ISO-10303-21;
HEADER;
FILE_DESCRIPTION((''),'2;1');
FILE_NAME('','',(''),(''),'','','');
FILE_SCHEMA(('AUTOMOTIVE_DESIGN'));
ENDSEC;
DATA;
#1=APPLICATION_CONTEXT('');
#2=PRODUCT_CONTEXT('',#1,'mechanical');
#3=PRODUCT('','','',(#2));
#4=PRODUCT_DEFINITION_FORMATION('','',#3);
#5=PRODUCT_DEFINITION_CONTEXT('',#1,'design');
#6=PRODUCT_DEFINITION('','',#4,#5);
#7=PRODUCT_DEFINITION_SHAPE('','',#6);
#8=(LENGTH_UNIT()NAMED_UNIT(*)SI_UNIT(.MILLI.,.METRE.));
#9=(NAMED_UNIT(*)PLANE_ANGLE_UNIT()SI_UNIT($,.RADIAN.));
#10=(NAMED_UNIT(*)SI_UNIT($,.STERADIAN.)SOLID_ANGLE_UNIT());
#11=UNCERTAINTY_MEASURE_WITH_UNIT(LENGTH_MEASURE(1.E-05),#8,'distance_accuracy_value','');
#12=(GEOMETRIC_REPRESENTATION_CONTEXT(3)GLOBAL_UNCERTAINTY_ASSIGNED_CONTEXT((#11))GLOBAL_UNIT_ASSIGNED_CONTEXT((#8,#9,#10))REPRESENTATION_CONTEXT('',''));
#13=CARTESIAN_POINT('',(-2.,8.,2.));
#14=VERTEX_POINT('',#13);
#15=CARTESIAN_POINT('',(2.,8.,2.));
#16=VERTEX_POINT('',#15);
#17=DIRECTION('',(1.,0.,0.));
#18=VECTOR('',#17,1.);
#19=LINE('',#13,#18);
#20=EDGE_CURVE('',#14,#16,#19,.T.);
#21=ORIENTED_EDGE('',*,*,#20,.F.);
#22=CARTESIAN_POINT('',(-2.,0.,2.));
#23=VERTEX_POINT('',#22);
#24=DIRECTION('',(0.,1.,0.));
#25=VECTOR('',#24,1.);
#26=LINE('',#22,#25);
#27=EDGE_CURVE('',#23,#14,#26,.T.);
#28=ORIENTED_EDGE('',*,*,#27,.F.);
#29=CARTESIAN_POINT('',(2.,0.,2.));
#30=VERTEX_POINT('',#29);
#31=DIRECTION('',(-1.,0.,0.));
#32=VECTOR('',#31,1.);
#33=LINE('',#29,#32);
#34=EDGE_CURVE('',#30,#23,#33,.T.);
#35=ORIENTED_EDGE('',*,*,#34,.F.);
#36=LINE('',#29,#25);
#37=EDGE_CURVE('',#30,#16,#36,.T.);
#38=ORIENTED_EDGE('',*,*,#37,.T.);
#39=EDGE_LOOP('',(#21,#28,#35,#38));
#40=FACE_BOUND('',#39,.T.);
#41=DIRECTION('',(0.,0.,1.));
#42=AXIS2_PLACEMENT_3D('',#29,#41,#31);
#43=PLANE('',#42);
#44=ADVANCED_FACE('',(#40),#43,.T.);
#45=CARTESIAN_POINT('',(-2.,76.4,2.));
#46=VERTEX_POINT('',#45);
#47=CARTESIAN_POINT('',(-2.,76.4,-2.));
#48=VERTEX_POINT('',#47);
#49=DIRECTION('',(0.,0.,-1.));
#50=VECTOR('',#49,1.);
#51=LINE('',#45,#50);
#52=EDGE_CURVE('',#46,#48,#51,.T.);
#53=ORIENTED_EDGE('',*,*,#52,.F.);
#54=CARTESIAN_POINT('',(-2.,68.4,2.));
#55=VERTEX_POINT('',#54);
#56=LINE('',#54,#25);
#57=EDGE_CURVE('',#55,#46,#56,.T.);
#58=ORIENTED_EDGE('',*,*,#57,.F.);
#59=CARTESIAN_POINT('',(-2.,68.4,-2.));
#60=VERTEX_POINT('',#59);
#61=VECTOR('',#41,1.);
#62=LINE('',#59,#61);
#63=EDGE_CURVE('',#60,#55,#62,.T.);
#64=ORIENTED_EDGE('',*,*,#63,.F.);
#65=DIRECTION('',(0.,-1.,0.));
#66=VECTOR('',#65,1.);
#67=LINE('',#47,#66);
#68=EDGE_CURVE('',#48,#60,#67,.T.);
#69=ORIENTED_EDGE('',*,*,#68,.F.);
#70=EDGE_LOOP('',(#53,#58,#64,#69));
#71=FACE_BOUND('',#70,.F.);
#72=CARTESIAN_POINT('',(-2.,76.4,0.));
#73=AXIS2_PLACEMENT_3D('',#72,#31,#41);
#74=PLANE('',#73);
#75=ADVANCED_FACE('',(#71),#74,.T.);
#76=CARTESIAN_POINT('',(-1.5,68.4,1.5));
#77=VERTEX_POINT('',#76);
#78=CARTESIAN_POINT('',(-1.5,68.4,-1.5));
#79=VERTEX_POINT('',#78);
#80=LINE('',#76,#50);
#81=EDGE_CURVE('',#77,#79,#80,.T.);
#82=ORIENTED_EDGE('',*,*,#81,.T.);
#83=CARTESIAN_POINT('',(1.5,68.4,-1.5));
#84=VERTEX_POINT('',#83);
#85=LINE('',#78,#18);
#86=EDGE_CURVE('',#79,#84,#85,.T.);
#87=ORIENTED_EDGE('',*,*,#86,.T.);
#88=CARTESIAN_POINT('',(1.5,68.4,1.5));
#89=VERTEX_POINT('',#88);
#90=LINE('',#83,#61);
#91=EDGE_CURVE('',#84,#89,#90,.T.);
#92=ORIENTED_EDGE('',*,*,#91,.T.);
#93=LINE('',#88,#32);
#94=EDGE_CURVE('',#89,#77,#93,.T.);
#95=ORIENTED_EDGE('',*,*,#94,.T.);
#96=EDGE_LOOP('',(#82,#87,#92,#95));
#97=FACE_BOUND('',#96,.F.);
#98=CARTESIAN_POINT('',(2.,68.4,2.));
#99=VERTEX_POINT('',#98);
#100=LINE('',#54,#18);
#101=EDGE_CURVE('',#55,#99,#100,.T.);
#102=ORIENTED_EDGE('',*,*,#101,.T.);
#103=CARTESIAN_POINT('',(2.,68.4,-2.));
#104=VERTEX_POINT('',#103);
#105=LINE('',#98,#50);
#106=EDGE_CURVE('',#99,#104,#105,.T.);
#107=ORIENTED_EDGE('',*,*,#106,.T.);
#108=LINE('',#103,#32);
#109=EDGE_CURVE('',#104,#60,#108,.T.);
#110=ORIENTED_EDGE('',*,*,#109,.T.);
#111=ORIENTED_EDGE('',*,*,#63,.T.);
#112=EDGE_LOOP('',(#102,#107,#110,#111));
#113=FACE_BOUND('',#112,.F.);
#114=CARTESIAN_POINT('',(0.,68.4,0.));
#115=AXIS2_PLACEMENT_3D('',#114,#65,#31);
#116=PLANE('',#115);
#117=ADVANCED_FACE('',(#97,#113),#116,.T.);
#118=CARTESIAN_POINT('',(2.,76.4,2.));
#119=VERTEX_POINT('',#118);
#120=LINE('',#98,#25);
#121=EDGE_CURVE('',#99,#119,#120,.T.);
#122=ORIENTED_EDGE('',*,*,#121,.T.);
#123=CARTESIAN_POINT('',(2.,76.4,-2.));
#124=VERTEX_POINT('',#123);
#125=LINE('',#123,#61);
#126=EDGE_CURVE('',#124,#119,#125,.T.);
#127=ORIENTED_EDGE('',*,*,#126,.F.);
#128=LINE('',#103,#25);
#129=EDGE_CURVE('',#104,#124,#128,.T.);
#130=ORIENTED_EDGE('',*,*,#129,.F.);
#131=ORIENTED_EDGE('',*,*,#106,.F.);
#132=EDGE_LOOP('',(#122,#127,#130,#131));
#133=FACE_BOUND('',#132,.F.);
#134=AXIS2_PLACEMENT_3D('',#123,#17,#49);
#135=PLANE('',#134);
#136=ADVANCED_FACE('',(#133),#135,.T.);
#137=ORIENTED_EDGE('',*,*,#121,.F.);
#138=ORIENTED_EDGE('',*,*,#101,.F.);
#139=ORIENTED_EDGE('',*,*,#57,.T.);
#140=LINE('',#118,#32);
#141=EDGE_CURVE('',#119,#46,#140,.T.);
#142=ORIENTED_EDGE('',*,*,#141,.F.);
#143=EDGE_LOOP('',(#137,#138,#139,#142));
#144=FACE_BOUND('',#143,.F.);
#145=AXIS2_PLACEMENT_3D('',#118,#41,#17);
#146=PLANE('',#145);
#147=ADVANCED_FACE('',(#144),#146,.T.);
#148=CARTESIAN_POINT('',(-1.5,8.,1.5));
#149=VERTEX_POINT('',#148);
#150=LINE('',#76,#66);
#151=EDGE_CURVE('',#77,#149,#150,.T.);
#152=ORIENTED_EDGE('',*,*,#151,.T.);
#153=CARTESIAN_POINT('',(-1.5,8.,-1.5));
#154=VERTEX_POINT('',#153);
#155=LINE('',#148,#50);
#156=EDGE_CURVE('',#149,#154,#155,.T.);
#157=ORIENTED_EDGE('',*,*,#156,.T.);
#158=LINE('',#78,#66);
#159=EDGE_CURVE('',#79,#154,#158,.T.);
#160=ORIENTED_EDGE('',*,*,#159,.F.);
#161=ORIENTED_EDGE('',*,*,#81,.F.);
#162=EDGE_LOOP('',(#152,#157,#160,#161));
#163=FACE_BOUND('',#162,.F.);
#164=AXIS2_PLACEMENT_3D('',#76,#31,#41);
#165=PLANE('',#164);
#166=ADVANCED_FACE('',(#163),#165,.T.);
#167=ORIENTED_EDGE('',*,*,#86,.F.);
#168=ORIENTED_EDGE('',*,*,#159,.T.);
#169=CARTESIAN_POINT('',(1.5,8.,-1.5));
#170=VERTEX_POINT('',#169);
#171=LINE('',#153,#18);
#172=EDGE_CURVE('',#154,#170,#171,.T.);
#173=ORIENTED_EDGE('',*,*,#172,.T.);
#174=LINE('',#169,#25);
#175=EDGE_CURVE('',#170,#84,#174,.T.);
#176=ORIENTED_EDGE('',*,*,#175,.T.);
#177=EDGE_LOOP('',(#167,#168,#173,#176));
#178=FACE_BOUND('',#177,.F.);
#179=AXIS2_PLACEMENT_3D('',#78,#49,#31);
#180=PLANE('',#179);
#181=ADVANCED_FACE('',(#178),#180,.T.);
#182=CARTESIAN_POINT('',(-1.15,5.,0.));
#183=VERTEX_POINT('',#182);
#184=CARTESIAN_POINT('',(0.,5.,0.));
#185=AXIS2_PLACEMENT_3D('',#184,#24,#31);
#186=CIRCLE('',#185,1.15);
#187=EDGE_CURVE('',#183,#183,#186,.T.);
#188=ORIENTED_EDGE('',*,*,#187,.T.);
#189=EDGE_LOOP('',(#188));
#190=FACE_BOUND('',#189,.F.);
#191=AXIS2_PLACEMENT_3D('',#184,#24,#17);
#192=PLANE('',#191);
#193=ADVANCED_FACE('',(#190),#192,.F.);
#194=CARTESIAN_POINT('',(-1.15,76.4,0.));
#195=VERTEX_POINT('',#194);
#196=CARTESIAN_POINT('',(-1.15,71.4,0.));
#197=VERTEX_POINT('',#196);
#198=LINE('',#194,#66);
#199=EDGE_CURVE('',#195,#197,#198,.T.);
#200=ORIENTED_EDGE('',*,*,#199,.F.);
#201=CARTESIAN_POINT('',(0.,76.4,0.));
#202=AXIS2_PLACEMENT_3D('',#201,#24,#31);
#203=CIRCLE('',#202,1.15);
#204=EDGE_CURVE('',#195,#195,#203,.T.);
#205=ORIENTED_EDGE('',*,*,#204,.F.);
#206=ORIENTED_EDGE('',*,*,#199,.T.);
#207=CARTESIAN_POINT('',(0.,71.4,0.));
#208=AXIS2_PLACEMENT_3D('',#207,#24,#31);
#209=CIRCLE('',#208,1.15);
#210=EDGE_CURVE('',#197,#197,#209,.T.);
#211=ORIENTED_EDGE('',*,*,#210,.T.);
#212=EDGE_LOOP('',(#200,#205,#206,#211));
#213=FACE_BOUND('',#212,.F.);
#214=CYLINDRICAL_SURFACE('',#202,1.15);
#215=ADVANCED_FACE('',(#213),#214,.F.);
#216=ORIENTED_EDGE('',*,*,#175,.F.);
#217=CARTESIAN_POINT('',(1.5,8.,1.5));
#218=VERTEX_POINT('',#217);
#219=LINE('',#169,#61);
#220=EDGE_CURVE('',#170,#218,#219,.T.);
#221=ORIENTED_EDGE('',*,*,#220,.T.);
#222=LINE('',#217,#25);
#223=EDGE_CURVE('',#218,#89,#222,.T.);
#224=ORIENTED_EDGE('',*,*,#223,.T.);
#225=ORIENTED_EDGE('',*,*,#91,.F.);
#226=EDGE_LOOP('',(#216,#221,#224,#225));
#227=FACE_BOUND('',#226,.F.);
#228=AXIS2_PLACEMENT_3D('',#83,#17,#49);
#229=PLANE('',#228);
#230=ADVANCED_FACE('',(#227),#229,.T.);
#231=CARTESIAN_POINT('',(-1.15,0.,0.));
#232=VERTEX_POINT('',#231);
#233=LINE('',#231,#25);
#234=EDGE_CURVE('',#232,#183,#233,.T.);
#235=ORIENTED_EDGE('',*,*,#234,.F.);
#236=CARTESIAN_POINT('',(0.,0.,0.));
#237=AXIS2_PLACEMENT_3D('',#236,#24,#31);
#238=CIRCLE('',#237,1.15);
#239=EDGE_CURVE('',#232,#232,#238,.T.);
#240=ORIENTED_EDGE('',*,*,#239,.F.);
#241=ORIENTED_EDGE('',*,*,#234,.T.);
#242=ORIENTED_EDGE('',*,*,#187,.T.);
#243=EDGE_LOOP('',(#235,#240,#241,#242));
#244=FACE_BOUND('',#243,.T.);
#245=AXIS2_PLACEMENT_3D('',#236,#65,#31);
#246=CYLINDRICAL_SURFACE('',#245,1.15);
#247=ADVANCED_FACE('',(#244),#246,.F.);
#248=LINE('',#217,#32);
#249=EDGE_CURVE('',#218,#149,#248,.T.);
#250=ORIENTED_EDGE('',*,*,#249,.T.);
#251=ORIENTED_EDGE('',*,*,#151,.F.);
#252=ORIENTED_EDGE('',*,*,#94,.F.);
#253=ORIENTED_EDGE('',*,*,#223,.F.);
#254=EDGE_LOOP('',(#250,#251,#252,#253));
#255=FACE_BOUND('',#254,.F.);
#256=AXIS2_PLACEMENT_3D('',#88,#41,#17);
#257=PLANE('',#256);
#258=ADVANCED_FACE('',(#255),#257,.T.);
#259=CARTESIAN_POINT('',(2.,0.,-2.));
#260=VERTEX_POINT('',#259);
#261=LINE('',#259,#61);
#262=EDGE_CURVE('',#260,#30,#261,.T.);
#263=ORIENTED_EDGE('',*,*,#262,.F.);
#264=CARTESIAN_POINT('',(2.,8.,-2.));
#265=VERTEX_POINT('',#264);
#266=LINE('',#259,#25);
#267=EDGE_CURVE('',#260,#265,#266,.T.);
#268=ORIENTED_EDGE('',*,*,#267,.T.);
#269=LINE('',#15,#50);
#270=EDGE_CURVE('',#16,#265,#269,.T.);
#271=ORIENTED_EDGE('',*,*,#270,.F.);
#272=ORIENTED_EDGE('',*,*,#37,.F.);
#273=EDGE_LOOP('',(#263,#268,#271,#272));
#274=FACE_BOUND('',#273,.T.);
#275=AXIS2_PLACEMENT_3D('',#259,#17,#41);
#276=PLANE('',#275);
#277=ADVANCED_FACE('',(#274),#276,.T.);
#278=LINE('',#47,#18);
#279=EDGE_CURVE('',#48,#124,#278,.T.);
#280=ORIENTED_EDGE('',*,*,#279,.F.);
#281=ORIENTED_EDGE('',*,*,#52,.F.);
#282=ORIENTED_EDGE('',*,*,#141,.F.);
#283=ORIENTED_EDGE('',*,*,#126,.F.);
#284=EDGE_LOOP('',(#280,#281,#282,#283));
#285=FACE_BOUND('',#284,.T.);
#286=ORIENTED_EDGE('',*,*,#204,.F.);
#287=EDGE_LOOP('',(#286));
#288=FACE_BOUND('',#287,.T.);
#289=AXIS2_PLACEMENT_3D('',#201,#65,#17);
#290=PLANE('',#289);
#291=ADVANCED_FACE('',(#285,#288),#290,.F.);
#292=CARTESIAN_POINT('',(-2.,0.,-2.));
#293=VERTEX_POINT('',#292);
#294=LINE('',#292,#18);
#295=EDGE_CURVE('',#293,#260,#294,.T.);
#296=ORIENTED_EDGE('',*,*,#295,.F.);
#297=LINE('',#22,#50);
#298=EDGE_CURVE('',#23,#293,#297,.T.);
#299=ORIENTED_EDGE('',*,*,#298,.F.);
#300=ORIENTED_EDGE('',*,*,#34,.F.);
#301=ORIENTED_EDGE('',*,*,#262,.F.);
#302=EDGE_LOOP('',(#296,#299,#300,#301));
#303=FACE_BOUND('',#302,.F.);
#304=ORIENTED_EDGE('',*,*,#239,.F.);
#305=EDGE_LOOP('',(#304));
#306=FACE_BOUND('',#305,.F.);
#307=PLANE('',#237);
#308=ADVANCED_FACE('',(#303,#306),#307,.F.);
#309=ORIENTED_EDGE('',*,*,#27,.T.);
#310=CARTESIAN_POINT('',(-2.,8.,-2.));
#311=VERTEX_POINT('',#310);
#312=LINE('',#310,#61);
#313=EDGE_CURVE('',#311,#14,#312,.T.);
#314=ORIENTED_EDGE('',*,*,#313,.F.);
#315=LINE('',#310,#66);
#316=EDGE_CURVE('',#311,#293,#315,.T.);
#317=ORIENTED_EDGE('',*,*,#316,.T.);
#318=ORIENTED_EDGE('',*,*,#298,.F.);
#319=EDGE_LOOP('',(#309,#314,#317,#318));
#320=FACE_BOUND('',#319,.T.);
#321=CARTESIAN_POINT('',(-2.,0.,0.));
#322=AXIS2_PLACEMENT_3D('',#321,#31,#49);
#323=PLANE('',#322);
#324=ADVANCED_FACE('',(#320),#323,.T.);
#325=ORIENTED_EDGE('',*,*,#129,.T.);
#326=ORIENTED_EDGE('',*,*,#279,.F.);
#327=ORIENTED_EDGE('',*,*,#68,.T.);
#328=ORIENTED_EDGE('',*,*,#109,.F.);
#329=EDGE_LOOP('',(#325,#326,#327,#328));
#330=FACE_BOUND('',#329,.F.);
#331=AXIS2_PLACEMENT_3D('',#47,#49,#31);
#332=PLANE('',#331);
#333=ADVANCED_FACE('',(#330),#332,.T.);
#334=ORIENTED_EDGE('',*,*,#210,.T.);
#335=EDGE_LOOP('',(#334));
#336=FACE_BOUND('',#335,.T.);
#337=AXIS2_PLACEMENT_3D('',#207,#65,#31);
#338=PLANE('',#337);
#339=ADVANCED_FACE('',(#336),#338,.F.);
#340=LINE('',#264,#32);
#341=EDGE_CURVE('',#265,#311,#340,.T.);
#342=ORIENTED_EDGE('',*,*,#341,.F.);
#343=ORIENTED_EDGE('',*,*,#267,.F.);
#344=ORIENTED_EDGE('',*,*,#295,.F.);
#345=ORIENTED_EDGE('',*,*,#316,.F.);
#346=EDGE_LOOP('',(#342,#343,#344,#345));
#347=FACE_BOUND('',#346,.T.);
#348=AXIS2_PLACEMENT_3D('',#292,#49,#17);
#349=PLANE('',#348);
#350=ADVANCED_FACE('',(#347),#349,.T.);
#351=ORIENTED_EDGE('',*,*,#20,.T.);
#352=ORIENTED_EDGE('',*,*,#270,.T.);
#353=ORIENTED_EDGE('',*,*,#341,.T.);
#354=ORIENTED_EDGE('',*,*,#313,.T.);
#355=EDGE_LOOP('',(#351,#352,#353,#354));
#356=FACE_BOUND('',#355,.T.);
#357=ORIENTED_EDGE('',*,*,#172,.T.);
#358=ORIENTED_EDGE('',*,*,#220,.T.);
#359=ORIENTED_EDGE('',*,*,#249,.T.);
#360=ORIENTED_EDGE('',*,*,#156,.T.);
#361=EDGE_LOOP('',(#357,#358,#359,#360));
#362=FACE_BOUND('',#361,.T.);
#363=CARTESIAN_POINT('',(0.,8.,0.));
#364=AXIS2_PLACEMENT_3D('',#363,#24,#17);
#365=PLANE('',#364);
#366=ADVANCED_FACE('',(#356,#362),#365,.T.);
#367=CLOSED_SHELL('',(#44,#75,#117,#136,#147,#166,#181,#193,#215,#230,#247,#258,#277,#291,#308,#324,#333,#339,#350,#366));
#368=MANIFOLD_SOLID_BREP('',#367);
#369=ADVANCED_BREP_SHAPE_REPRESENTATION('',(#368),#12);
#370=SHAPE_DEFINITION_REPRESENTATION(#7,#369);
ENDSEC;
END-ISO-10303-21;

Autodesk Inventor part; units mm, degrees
ref_plane "YZ Plane" through (0, 0, 0) normal (1, 0, 0) x (0, 1, 0)
ref_plane "XZ Plane" through (0, 0, 0) normal (0, 1, 0) x (-1, 0, 0)
sketch "Sketch1" plane through (0, 0, 0) normal (0, 1, 0) x (-1, 0, 0)
  circle A0 centre (0, 0) radius 1.15
  circle A1 centre (0, 0) radius 2
  line L0 (-2, 2) -> (2, 2)
  line L1 (2, 2) -> (2, -2)
  line L2 (2, -2) -> (-2, -2)
  line L3 (-2, -2) -> (-2, 2)
  line L4 (-2, 2) -> (2, -2) construction
  line L5 (2, 2) -> (-2, -2) construction
  dimension "d0" = 2.3
  dimension "d1" = 4
extrude "Extrusion1" add sketch "Sketch1" along normal blind 5
sketch "Sketch2" plane through (0, 5, 0) normal (0, 1, 0) x (1, 0, 0)
  line L0 (2, 2) -> (-2, 2) projected
  line L1 (-2, 2) -> (-2, -2) projected
  line L2 (-2, -2) -> (2, -2) projected
  line L3 (2, -2) -> (2, 2) projected
  circle A0 centre (0, 0) radius 1.15 projected
extrude "Extrusion2" add sketch "Sketch2" along normal blind 3 contours L3 L2 L1 L0 | A0
sketch "Sketch3" plane through (0, 8, 0) normal (0, 1, 0) x (1, 0, 0)
  line L0 (1.5, -1.5) -> (-1.5, -1.5)
  line L1 (-1.5, -1.5) -> (-1.5, 1.5)
  line L2 (-1.5, 1.5) -> (1.5, 1.5)
  line L3 (1.5, 1.5) -> (1.5, -1.5)
  line L4 (1.5, -1.5) -> (-1.5, 1.5) construction
  line L5 (-1.5, -1.5) -> (1.5, 1.5) construction
  point P0 (0, 0)
  dimension "d6" = 3
extrude "Extrusion3" add sketch "Sketch3" along normal blind 44.25
ref_plane "Work Plane1" through (0, 38.2, 0) normal (0, -1, 0) x (1, 0, 0)
mirror "Mirror1" about plane through (0, 38.2, 0) normal (0, -1, 0) of "Extrusion3", "Extrusion1", "Extrusion2"
properties part number "clamshell cross link" material "ABS Plastic"
